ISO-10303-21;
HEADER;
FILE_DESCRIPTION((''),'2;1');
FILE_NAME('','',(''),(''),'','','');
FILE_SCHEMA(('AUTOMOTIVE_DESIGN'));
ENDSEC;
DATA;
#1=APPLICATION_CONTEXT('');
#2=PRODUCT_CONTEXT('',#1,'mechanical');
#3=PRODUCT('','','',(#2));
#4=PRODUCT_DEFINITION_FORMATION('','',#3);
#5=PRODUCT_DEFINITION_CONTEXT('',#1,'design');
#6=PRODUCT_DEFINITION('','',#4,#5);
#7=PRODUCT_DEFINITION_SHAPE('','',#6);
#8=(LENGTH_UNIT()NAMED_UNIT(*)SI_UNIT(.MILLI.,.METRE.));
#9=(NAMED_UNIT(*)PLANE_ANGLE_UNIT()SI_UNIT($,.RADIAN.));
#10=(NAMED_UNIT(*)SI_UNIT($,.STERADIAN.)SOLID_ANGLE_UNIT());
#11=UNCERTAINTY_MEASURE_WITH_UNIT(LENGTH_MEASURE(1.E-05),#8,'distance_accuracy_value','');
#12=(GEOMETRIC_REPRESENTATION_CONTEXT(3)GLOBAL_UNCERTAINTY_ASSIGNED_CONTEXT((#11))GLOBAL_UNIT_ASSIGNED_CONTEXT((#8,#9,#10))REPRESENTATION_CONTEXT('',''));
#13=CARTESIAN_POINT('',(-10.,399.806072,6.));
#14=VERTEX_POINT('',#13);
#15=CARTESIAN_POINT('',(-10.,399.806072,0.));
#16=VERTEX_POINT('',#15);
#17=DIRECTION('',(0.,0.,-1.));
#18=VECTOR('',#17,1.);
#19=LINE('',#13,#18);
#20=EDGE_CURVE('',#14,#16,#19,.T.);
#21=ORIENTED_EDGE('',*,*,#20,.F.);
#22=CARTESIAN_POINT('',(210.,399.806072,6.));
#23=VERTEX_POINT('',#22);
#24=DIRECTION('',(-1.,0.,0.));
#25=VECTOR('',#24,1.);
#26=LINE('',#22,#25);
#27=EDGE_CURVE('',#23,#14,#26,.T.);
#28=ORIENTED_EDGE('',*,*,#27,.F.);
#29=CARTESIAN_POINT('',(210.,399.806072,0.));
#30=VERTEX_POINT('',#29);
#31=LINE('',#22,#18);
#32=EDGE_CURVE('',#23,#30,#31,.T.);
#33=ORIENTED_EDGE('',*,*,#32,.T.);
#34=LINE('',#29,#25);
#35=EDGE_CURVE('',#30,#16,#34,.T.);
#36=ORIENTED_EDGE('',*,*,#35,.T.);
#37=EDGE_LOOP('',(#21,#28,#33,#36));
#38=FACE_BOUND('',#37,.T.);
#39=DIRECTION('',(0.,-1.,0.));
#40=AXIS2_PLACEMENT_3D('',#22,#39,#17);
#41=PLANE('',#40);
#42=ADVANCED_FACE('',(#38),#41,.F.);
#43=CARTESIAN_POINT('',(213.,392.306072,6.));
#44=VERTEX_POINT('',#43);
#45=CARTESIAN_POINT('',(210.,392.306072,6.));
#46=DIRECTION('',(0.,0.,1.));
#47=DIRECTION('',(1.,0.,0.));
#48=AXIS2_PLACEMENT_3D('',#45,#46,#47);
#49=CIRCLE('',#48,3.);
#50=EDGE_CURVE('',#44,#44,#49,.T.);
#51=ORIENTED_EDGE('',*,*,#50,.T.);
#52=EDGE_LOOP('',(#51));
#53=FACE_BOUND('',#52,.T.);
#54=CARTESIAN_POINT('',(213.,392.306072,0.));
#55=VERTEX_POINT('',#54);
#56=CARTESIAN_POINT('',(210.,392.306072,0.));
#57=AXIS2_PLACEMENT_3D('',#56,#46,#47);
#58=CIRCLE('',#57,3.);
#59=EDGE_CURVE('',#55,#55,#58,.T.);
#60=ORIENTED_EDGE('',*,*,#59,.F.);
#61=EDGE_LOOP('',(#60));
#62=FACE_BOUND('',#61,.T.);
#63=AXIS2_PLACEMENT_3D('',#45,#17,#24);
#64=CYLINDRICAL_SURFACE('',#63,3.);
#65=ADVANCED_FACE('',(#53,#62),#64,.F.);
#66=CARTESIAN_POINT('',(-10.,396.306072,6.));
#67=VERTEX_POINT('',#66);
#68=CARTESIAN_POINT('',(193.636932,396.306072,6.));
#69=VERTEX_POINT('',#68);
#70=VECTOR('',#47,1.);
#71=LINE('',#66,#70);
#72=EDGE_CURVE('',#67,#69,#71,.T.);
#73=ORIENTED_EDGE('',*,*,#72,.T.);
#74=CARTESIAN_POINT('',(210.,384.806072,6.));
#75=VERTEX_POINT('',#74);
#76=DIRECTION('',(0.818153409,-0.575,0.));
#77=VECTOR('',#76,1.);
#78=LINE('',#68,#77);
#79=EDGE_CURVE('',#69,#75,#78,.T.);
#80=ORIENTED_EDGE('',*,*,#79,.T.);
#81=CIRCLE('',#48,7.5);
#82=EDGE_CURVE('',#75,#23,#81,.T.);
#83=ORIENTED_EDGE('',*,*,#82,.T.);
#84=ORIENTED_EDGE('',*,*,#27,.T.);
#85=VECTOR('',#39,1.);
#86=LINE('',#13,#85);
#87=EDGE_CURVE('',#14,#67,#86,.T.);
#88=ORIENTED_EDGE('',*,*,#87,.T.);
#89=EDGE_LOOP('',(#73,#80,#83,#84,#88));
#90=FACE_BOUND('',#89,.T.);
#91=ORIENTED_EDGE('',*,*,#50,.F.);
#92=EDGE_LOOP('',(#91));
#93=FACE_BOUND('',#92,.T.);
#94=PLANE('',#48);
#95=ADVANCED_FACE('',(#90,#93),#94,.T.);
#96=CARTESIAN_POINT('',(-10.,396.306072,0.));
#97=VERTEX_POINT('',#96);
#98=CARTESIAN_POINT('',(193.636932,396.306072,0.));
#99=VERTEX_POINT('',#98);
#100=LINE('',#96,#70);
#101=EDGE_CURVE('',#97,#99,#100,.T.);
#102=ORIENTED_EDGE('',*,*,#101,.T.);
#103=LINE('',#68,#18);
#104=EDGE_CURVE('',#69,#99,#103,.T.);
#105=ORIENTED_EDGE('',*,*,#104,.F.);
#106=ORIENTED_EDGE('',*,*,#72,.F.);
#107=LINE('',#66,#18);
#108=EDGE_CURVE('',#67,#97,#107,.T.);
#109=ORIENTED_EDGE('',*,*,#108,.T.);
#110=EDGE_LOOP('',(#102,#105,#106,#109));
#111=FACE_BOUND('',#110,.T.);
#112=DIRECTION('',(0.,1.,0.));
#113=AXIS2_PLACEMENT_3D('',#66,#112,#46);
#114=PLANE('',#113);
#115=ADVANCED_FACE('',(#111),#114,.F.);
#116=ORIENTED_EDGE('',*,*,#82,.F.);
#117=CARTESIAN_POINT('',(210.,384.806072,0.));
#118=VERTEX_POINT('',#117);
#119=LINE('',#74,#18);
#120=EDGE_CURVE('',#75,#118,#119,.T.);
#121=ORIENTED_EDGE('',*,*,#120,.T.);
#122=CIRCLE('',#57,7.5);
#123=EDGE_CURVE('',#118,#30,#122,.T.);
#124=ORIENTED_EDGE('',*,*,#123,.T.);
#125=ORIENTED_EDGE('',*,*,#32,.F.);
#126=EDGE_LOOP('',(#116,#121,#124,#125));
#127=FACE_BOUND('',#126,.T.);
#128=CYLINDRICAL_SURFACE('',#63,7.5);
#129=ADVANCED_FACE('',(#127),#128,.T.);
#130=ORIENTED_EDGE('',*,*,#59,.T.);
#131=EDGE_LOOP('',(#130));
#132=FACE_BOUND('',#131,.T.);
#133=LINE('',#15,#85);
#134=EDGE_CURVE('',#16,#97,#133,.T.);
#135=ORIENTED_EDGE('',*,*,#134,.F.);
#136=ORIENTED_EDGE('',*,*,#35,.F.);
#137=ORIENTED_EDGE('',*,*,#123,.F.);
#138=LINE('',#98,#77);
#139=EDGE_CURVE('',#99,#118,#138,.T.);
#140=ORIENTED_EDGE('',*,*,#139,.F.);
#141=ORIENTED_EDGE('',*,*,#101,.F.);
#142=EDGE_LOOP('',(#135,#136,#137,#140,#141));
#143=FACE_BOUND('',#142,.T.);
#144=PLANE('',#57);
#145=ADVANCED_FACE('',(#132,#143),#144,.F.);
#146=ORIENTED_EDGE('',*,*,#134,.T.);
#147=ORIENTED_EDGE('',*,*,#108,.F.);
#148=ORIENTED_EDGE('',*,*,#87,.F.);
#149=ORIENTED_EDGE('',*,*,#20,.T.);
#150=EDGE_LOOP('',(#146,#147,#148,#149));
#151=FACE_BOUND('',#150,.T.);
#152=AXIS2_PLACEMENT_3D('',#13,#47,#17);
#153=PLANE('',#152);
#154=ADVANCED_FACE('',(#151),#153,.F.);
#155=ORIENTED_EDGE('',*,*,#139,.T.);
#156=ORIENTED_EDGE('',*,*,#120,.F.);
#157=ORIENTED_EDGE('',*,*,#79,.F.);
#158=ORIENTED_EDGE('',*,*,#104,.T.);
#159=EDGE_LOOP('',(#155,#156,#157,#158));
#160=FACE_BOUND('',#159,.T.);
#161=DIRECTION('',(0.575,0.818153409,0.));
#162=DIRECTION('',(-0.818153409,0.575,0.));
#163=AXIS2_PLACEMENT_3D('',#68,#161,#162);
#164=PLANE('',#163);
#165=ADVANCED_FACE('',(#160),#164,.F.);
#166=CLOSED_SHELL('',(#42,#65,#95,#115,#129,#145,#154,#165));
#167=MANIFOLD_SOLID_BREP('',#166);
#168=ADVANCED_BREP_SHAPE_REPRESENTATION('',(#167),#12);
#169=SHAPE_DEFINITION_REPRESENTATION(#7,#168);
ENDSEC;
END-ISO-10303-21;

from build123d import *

# Parameters (mm, degrees)
SKETCH1_R           = 3
BOSS_EXTRUDE1_DEPTH = 6


with BuildPart() as part:
    # Sketch1 → Boss-Extrude1 (new body)
    with BuildSketch(Plane.XY):
        with BuildLine():
            Line((210, 399.806072497), (-10, 399.806072497))
            Line((-10, 399.806072497), (-10, 396.306072497))
            Line((-10, 396.306072497), (193.636931828, 396.306072497))
            Line((193.636931828, 396.306072497), (210, 384.806072497))
            ThreePointArc((210, 384.806072497), (217.5, 392.306072497), (210, 399.806072497))
        make_face()
        with Locations((210, 392.306072497)):
            Circle(SKETCH1_R, mode=Mode.SUBTRACT)
    extrude(amount=BOSS_EXTRUDE1_DEPTH)


solid = part.part
